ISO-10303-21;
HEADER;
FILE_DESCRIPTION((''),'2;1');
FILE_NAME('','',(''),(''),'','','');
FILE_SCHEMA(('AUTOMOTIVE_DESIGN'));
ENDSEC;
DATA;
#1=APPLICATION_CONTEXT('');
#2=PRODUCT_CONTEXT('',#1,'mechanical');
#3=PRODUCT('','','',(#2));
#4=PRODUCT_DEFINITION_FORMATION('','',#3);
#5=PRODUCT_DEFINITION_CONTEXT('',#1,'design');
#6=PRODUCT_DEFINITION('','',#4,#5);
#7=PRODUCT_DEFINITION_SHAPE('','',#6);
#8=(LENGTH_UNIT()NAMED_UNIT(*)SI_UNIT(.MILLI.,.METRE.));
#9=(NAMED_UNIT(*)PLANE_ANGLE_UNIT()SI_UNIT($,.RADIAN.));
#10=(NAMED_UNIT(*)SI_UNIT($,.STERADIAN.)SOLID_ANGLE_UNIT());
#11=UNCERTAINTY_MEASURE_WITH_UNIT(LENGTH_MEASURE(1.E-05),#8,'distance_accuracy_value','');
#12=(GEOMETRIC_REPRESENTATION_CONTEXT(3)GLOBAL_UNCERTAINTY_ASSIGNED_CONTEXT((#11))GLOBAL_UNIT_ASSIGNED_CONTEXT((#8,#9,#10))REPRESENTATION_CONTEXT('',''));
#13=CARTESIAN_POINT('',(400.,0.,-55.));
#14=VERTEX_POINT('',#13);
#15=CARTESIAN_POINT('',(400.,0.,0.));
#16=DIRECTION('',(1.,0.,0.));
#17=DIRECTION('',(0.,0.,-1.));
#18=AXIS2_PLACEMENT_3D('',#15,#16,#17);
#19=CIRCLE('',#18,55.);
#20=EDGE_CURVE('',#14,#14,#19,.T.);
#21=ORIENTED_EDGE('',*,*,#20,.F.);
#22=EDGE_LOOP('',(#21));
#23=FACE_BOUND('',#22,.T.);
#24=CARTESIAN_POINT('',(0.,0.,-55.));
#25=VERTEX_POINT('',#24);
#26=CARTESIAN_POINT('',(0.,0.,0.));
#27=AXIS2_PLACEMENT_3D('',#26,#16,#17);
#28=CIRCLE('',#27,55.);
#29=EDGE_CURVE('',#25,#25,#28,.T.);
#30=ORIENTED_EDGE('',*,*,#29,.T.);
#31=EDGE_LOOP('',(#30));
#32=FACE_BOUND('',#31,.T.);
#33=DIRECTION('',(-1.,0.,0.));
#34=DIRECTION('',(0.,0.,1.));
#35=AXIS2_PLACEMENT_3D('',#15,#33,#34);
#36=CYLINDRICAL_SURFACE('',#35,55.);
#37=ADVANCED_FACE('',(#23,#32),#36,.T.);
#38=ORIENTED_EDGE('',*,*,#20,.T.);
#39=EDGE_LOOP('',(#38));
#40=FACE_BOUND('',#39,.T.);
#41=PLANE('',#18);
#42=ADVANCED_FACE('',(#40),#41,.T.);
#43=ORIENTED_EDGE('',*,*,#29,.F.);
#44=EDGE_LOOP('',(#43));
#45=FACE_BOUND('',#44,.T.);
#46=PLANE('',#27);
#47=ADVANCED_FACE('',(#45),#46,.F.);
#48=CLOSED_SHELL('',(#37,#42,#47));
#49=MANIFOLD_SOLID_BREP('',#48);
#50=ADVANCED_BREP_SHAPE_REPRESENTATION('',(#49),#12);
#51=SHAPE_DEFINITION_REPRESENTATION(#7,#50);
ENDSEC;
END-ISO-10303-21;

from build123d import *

# Parameters (mm, degrees)
SKETCH1_R           = 55
BOSS_EXTRUDE1_DEPTH = 400


with BuildPart() as part:
    # Sketch1 → Boss-Extrude1 (new body)
    with BuildSketch(Plane(origin=(0, 0, 0), x_dir=(0, 0, -1), z_dir=(1, 0, 0))):
        Circle(SKETCH1_R)
    extrude(amount=BOSS_EXTRUDE1_DEPTH)


solid = part.part
